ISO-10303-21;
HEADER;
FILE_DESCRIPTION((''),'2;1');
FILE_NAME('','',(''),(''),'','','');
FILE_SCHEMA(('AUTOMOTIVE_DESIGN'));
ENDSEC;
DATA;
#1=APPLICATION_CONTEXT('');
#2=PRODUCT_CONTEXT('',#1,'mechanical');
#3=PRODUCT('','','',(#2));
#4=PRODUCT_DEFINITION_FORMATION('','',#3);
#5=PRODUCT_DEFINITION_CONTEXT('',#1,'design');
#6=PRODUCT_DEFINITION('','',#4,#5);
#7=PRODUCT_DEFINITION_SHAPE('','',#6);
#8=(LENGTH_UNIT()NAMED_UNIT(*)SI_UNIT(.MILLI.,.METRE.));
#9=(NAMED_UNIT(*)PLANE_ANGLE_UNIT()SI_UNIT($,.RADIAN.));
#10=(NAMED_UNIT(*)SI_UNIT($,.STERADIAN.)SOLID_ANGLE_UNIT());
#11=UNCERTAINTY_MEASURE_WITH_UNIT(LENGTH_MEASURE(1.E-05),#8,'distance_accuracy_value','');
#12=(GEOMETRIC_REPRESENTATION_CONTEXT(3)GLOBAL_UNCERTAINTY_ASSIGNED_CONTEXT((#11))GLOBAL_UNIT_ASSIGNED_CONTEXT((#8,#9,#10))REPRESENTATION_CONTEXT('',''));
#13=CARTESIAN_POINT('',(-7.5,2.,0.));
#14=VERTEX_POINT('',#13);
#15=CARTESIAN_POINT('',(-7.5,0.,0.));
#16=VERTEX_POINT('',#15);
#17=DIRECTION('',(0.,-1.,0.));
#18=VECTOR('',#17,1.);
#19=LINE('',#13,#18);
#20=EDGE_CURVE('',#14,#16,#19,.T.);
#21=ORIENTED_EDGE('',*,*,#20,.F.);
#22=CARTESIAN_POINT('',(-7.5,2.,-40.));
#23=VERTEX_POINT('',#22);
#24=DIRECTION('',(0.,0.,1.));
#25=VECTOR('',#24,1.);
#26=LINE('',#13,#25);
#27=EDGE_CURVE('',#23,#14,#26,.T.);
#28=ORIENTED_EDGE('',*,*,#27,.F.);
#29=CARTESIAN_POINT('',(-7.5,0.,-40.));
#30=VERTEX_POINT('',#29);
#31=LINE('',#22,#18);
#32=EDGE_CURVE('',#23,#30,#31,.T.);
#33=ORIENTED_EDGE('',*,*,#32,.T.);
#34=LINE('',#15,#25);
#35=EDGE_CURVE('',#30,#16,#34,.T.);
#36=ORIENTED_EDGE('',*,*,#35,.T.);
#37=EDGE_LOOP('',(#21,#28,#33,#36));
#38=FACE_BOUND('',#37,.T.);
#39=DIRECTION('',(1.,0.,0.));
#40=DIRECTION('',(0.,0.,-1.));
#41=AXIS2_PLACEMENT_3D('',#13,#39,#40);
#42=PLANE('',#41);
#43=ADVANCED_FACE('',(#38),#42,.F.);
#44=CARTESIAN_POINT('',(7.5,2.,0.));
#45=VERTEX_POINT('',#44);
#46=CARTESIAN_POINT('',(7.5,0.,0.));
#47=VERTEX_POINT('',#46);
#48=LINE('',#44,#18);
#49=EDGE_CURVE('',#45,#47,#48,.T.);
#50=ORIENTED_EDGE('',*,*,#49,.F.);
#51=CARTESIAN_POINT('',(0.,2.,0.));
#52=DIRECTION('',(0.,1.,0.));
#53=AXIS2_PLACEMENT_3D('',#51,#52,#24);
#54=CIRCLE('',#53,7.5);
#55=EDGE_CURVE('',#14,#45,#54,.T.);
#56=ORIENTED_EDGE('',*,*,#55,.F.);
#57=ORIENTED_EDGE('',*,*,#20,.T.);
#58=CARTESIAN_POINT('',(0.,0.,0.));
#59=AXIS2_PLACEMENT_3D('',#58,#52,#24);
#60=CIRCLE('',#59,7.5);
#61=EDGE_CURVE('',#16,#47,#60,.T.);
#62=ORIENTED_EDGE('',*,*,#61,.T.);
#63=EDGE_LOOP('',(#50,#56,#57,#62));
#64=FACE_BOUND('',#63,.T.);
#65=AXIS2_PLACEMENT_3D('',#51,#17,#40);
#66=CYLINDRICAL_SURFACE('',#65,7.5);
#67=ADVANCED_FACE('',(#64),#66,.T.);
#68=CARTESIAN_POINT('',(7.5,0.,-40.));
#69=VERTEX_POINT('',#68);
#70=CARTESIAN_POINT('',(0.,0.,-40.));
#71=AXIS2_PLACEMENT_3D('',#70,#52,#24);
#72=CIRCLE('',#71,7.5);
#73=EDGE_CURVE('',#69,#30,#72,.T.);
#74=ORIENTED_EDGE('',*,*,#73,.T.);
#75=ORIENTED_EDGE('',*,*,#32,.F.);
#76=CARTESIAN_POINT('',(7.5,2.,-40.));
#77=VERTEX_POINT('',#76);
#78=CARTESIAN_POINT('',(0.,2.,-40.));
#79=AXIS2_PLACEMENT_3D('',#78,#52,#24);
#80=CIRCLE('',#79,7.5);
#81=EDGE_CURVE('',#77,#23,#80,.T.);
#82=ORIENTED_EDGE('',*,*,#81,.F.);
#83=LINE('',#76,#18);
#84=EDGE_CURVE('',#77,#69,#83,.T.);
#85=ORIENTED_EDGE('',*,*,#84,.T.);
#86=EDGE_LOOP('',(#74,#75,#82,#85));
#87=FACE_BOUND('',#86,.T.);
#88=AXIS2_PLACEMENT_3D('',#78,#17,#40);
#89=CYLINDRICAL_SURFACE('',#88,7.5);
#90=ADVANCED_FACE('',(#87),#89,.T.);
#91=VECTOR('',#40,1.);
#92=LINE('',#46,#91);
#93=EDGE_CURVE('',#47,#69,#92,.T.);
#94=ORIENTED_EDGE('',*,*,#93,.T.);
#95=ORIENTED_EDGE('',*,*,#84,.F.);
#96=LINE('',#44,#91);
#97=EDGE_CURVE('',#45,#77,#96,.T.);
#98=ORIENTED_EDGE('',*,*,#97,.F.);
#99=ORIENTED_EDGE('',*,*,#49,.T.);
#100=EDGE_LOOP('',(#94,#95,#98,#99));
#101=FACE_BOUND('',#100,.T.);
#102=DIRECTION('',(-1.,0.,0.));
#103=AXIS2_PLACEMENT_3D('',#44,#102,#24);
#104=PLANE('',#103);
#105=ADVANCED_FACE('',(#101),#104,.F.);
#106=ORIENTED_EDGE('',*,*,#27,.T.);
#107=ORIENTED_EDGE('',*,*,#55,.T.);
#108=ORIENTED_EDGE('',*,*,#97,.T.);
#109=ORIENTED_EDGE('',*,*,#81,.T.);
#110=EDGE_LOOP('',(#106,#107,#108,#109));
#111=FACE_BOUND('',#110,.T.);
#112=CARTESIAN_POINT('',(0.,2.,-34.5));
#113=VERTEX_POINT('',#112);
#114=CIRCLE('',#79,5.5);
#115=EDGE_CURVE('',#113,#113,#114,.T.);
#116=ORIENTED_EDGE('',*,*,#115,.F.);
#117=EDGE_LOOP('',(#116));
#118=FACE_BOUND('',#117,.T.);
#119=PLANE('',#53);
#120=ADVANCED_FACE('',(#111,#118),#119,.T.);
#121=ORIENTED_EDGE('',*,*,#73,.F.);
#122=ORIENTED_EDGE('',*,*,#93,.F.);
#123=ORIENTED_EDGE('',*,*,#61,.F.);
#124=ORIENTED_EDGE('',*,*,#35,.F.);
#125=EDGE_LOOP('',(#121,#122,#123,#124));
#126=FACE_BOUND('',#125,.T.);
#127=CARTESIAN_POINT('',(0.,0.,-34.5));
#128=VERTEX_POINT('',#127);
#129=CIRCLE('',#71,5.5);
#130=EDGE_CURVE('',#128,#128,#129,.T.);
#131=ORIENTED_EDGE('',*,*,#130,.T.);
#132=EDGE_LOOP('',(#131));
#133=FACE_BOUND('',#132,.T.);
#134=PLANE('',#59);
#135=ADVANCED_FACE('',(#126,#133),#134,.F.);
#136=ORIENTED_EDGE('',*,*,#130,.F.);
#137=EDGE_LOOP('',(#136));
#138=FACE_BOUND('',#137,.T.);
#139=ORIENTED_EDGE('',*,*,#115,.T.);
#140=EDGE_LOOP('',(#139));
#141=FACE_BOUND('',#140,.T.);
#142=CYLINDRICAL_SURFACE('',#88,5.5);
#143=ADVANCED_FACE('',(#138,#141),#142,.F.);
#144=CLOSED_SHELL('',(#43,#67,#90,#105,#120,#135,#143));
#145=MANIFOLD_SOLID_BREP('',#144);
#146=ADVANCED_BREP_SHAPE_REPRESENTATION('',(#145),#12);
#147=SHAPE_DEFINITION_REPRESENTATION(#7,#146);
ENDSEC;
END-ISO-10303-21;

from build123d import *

# Parameters (mm, degrees)
SKETCH2_R           = 5.5
BOSS_EXTRUDE1_DEPTH = 2


with BuildPart() as part:
    # Sketch2 → Boss-Extrude1 (new body)
    with BuildSketch(Plane(origin=(0, 0, 0), x_dir=(1, 0, 0), z_dir=(0, 1, 0))):
        with BuildLine():
            Line((-7.5, 0), (-7.5, 40))
            ThreePointArc((-7.5, 40), (0, 47.5), (7.5, 40))
            Line((7.5, 40), (7.5, 0))
            ThreePointArc((7.5, 0), (0, -7.5), (-7.5, 0))
        make_face()
        with Locations(Location((0, 40, 0), (0, 0, 270))):
            Circle(SKETCH2_R, mode=Mode.SUBTRACT)
    extrude(amount=BOSS_EXTRUDE1_DEPTH)


solid = part.part
